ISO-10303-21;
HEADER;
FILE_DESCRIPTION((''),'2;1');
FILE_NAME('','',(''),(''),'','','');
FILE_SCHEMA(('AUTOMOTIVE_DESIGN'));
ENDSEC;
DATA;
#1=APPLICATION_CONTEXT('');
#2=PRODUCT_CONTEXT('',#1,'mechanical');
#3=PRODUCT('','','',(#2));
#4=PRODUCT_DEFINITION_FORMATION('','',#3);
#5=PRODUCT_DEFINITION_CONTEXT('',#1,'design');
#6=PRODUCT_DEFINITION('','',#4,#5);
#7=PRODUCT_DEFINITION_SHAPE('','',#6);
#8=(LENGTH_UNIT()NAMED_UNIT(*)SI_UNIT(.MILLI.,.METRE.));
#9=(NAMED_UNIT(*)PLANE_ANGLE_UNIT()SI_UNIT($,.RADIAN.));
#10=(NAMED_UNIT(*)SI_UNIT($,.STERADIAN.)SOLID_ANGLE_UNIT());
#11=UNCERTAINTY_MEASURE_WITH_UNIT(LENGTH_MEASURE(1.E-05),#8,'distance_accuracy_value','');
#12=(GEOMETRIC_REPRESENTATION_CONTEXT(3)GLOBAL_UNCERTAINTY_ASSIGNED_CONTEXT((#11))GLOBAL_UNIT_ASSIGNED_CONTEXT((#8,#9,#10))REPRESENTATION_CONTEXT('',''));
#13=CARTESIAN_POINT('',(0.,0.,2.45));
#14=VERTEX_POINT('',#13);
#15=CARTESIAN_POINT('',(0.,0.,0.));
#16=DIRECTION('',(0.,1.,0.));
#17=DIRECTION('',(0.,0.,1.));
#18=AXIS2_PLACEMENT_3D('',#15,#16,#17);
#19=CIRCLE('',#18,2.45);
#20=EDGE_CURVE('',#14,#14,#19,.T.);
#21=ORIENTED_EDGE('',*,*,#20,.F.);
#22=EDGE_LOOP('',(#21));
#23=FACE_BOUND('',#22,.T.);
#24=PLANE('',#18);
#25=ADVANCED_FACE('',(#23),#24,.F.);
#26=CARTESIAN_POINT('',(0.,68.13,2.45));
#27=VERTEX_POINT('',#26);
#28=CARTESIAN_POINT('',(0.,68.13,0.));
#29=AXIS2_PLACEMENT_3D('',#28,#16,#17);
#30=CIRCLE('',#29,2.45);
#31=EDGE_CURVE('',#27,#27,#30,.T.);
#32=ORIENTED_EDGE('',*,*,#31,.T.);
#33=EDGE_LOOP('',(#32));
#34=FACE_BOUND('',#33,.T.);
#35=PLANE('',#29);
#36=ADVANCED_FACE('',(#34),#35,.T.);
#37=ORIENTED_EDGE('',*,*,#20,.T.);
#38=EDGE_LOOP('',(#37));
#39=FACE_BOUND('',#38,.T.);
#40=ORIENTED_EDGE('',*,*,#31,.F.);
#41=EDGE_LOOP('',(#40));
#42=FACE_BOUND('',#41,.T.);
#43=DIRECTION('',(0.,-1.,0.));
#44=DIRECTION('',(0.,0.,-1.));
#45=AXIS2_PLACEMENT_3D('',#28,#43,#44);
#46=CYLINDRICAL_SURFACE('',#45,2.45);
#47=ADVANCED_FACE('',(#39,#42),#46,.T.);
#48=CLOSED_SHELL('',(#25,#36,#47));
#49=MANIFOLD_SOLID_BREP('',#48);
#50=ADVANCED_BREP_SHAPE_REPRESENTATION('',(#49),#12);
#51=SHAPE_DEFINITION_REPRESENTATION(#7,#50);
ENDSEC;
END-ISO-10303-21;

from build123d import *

# Parameters (mm, degrees)
ESBO_O1_R                = 2.45
RESSALTO_EXTRUS_O3_DEPTH = 68.13


with BuildPart() as part:
    # Esboço1 → Ressalto-extrusão3 (new body)
    with BuildSketch(Plane(origin=(0, 0, 0), x_dir=(1, 0, 0), z_dir=(0, 1, 0))):
        with Locations(Location((0, 0, 0), (0, 0, 270))):
            Circle(ESBO_O1_R)
    extrude(amount=RESSALTO_EXTRUS_O3_DEPTH)


solid = part.part
